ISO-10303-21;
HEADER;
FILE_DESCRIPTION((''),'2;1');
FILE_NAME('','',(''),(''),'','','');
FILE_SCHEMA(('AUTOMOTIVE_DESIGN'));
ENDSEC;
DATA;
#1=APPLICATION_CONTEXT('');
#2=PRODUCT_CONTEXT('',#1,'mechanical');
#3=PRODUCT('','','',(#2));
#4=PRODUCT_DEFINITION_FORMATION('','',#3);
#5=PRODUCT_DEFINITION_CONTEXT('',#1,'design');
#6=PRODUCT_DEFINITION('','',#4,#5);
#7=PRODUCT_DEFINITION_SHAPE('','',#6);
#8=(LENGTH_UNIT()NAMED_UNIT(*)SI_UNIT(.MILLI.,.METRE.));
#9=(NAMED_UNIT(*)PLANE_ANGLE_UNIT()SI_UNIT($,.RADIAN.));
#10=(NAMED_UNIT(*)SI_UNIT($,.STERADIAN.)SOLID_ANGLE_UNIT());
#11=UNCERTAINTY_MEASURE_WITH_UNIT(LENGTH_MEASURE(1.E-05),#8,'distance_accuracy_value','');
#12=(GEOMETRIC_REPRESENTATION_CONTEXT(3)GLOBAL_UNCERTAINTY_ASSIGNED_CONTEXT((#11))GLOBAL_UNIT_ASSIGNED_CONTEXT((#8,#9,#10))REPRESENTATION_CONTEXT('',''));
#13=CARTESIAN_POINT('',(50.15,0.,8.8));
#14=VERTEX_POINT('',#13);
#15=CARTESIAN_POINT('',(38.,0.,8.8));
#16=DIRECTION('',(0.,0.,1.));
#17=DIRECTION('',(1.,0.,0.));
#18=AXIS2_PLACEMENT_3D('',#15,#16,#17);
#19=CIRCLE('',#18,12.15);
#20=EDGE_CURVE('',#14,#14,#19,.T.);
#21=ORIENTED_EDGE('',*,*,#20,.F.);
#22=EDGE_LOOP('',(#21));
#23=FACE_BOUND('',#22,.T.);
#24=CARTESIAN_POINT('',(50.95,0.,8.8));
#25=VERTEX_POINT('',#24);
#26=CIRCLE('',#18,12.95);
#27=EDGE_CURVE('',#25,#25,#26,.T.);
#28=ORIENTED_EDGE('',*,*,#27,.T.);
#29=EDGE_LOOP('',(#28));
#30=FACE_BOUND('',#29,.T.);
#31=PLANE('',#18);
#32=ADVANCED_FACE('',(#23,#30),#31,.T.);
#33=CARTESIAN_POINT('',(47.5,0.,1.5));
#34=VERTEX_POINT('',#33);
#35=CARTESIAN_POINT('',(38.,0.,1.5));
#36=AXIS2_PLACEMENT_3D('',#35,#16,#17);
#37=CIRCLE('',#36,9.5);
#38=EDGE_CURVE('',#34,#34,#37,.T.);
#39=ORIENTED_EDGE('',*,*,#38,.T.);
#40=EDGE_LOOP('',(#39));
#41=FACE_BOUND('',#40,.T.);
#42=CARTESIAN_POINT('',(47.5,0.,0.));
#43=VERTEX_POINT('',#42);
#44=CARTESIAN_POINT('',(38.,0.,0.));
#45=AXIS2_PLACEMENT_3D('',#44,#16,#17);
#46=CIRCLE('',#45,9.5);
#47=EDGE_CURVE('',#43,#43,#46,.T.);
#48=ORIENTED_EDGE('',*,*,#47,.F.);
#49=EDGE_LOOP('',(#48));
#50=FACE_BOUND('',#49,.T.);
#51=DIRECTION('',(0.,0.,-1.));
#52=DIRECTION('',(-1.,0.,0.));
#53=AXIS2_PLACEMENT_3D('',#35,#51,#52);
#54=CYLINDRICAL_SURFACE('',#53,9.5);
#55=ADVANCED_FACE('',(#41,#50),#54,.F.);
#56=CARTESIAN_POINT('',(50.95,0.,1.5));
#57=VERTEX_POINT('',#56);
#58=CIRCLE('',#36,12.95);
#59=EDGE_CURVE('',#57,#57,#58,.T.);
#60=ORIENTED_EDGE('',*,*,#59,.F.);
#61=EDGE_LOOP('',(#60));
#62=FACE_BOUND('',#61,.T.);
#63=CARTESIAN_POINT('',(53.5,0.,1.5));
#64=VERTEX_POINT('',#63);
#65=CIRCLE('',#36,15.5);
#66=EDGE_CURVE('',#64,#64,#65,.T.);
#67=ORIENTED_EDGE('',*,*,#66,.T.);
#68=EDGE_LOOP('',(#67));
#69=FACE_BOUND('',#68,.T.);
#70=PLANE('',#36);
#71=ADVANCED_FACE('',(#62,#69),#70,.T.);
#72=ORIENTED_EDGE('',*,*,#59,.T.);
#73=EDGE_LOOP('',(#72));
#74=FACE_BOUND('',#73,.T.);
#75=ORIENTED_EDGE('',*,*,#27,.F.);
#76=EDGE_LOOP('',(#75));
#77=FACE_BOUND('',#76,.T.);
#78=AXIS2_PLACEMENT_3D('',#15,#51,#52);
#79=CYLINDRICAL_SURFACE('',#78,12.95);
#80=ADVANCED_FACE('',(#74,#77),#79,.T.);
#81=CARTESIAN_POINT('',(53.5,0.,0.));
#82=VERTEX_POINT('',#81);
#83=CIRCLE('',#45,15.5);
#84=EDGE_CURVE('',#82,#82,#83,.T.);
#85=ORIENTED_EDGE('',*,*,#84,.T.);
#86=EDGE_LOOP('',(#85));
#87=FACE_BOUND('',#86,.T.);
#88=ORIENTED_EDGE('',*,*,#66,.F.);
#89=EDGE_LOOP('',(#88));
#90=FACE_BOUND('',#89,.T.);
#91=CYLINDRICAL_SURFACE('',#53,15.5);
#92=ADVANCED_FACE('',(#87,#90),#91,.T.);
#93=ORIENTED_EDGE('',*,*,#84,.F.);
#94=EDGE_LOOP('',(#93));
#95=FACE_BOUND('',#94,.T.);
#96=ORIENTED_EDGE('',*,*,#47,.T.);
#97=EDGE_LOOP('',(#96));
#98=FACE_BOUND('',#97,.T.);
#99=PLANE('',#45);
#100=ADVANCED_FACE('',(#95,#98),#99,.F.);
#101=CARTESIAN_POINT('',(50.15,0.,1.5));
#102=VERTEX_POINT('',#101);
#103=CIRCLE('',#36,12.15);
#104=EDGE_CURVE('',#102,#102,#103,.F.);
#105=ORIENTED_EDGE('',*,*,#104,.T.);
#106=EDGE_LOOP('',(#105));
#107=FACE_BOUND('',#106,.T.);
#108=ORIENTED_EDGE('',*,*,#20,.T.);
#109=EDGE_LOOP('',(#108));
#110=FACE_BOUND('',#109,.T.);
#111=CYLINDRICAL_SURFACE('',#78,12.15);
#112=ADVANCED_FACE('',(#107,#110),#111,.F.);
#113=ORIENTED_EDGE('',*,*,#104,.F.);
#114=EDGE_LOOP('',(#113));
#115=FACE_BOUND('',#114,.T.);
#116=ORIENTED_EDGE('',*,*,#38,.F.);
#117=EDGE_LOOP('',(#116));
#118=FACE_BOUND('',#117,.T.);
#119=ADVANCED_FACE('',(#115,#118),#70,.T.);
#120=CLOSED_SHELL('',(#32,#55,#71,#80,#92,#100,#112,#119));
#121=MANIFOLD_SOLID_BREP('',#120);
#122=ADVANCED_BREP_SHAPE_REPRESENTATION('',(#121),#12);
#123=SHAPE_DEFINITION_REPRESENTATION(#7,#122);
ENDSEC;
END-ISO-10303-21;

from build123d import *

# Parameters (mm, degrees)
CROQUIS3_R              = 15.5
CROQUIS3_R_2            = 9.5
SALIENTE_EXTRUIR3_DEPTH = 1.5
CROQUIS4_R              = 12.95
CROQUIS4_R_2            = 12.15
SALIENTE_EXTRUIR4_DEPTH = 7.3


with BuildPart() as part:
    # Croquis3 → Saliente-Extruir3 (new body)
    with BuildSketch(Plane.XY):
        with Locations((38, 0)):
            Circle(CROQUIS3_R)
        with Locations((38, 0)):
            Circle(CROQUIS3_R_2, mode=Mode.SUBTRACT)
    extrude(amount=SALIENTE_EXTRUIR3_DEPTH)

    # Croquis4 → Saliente-Extruir4 (add)
    with BuildSketch(Plane.XY.offset(1.5)):
        with Locations((38, 0)):
            Circle(CROQUIS4_R)
        with Locations((38, 0)):
            Circle(CROQUIS4_R_2, mode=Mode.SUBTRACT)
    extrude(amount=SALIENTE_EXTRUIR4_DEPTH)


solid = part.part
